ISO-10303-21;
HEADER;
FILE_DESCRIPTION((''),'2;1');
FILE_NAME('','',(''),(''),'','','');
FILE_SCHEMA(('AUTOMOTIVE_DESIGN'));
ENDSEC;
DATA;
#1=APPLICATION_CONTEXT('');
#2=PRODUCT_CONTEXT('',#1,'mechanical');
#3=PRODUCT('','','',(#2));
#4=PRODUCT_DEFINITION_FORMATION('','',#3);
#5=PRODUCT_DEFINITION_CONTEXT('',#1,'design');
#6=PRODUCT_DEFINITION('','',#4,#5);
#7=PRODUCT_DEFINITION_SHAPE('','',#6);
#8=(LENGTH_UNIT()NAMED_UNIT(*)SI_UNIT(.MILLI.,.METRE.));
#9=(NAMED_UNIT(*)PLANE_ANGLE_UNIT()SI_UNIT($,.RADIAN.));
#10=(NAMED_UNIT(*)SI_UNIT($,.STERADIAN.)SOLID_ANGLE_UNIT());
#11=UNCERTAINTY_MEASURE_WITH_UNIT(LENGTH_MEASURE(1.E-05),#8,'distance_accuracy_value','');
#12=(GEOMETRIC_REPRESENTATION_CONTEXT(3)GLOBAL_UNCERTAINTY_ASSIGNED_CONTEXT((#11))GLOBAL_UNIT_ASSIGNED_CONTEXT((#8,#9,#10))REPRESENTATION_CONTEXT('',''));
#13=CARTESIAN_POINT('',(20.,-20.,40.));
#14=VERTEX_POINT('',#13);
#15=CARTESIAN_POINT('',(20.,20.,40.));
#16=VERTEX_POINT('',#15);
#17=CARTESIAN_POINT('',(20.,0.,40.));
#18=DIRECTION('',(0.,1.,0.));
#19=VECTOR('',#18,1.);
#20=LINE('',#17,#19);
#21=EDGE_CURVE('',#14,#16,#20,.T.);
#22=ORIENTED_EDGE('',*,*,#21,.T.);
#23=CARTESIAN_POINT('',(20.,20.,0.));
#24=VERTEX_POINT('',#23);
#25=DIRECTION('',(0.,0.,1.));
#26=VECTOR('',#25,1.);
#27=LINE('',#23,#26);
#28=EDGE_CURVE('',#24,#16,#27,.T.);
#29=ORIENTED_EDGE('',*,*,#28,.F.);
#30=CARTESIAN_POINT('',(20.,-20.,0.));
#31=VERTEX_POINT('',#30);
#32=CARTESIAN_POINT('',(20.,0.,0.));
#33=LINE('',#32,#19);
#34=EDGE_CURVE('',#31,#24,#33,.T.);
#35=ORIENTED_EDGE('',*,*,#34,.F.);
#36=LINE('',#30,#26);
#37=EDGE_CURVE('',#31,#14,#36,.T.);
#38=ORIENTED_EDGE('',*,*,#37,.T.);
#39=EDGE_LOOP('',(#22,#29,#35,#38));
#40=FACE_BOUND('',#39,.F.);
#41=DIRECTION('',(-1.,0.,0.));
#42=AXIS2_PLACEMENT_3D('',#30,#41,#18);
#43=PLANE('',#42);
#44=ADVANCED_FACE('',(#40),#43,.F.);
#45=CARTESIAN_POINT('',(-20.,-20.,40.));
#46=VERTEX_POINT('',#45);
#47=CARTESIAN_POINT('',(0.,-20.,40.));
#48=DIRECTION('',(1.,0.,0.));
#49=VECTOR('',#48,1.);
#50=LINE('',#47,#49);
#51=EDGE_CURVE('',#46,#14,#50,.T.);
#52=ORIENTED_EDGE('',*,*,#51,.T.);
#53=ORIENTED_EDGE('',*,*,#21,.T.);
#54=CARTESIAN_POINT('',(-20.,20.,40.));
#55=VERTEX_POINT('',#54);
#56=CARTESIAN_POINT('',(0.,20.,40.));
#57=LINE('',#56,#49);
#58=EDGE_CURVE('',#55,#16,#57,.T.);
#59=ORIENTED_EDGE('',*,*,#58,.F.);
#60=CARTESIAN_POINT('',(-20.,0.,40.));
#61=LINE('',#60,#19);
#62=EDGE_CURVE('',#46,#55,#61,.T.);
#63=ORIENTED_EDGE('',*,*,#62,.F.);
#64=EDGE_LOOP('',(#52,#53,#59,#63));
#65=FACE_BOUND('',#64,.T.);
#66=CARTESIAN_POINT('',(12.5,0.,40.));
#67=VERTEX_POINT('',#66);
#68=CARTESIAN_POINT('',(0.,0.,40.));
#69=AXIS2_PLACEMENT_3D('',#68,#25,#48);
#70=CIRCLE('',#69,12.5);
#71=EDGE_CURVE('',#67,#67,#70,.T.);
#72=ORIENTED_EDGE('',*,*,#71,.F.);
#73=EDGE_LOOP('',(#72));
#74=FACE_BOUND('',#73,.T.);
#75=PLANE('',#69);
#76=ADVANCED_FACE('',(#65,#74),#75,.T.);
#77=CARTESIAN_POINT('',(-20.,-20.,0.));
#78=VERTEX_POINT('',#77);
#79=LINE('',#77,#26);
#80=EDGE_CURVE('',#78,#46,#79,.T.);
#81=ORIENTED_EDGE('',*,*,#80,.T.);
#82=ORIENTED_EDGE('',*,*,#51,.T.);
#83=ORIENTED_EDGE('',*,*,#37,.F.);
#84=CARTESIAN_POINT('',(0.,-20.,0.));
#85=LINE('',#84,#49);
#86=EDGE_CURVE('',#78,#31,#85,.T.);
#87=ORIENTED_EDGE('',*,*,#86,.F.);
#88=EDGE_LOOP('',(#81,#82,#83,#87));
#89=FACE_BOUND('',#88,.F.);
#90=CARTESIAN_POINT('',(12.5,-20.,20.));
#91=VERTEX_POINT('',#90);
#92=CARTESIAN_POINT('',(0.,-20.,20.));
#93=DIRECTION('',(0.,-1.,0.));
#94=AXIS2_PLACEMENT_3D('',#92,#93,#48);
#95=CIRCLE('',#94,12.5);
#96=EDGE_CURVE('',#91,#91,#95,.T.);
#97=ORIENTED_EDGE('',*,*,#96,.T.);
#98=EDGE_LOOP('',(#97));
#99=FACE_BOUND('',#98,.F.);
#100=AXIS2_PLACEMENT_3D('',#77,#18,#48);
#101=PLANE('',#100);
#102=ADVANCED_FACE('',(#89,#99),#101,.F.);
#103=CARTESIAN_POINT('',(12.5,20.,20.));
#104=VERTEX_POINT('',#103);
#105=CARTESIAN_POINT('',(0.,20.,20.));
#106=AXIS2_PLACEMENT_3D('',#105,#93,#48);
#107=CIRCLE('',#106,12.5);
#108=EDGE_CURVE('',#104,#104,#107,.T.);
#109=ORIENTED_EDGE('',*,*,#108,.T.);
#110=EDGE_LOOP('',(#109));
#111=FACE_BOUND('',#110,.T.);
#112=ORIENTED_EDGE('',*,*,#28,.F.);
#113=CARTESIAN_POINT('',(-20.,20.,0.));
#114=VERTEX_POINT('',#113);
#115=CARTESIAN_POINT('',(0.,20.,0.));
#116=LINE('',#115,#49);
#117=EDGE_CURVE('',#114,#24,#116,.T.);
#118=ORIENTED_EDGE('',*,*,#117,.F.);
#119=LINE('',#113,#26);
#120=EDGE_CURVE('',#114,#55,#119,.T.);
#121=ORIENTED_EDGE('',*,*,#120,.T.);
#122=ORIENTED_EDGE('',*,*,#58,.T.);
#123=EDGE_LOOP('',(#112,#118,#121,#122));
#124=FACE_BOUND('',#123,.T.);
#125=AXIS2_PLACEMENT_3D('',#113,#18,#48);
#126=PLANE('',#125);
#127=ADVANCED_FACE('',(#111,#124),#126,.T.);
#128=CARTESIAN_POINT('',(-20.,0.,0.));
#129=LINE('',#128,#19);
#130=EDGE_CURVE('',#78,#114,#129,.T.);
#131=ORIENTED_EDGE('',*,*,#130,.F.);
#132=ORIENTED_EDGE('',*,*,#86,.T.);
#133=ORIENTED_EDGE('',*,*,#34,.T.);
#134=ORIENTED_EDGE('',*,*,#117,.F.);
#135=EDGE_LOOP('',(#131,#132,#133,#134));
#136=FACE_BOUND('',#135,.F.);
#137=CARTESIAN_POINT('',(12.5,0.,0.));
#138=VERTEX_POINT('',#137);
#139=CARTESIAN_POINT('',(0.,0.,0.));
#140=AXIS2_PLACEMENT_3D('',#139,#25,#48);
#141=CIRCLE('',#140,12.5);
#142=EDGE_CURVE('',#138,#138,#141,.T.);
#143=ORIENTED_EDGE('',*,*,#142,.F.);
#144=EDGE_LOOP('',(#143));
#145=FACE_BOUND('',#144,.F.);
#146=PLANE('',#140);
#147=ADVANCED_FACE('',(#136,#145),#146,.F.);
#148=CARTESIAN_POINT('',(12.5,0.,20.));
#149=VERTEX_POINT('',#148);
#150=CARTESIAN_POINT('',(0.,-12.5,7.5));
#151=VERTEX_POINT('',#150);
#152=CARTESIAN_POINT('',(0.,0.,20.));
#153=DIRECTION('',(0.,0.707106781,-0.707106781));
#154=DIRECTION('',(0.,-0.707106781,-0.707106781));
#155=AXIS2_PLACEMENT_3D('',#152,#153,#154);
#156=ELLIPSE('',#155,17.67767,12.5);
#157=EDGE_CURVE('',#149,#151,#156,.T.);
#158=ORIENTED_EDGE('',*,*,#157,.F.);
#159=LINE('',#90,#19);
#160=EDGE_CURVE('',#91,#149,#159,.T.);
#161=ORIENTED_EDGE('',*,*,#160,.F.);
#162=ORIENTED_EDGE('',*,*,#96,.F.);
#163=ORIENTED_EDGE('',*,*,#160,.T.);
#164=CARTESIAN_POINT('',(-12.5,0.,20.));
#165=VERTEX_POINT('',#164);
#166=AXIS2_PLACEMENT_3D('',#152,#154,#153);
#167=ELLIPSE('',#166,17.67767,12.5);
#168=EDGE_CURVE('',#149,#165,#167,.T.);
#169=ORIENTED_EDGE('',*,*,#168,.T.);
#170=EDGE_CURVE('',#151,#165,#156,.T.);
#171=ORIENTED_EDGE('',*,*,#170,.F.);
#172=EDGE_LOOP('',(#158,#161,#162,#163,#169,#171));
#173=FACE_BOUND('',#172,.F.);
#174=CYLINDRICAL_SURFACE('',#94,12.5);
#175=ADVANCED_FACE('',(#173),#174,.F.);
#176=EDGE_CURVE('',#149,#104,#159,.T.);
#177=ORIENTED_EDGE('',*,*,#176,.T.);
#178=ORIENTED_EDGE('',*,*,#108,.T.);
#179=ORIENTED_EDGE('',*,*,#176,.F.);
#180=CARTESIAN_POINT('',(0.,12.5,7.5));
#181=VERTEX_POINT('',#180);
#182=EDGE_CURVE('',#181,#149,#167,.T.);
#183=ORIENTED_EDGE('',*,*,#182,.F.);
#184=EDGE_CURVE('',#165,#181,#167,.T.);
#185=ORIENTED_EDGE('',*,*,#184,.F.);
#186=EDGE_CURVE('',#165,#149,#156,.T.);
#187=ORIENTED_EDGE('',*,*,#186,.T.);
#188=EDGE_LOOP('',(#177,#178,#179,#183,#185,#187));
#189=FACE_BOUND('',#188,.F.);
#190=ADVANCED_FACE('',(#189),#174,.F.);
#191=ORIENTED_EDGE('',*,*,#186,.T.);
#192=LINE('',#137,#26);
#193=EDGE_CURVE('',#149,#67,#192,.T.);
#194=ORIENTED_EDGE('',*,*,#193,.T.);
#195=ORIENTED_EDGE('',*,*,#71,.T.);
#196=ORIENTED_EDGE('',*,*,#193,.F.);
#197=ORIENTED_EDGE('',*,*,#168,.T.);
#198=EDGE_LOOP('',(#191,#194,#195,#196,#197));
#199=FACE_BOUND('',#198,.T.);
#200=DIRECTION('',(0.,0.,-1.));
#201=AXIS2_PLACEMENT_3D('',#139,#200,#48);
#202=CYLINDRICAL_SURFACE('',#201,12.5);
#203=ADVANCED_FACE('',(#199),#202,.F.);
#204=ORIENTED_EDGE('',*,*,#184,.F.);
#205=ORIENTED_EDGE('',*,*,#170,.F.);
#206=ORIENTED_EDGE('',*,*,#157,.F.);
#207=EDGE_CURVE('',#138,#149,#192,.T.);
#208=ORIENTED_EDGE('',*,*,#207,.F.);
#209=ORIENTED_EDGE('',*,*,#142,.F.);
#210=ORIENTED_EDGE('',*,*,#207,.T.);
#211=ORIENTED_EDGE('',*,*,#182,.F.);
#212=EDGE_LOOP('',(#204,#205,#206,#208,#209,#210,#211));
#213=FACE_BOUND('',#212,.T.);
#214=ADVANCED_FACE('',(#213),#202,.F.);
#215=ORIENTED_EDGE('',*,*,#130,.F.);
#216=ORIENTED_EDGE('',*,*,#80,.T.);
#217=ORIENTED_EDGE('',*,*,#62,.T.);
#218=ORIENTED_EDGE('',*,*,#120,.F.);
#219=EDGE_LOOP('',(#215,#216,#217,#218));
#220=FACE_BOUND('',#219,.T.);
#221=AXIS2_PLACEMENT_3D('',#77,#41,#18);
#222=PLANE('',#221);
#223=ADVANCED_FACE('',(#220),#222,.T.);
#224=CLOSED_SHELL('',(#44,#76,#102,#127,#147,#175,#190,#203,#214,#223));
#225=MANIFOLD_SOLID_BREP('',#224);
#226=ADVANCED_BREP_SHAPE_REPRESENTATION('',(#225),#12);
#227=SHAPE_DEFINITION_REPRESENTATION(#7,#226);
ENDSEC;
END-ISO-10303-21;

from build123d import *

# Parameters (mm, degrees)
F0_W     = 40
F0_H     = 40
F0_R     = 12.5
F1_DEPTH = 40
F2_R     = 12.5
F3_DEPTH = 40.001


with BuildPart() as f1:
    # F0 (on Top) → F1 (new body)
    with BuildSketch(Plane.XY):
        Rectangle(F0_W, F0_H)
        Circle(F0_R, mode=Mode.SUBTRACT)
    extrude(amount=F1_DEPTH)

    # F2 (on face) → F3 (cut, through all)
    with BuildSketch(Plane.XZ.offset(20)):
        with Locations((0, 20)):
            Circle(F2_R)
    extrude(amount=-F3_DEPTH, mode=Mode.SUBTRACT)


solid = f1.part
